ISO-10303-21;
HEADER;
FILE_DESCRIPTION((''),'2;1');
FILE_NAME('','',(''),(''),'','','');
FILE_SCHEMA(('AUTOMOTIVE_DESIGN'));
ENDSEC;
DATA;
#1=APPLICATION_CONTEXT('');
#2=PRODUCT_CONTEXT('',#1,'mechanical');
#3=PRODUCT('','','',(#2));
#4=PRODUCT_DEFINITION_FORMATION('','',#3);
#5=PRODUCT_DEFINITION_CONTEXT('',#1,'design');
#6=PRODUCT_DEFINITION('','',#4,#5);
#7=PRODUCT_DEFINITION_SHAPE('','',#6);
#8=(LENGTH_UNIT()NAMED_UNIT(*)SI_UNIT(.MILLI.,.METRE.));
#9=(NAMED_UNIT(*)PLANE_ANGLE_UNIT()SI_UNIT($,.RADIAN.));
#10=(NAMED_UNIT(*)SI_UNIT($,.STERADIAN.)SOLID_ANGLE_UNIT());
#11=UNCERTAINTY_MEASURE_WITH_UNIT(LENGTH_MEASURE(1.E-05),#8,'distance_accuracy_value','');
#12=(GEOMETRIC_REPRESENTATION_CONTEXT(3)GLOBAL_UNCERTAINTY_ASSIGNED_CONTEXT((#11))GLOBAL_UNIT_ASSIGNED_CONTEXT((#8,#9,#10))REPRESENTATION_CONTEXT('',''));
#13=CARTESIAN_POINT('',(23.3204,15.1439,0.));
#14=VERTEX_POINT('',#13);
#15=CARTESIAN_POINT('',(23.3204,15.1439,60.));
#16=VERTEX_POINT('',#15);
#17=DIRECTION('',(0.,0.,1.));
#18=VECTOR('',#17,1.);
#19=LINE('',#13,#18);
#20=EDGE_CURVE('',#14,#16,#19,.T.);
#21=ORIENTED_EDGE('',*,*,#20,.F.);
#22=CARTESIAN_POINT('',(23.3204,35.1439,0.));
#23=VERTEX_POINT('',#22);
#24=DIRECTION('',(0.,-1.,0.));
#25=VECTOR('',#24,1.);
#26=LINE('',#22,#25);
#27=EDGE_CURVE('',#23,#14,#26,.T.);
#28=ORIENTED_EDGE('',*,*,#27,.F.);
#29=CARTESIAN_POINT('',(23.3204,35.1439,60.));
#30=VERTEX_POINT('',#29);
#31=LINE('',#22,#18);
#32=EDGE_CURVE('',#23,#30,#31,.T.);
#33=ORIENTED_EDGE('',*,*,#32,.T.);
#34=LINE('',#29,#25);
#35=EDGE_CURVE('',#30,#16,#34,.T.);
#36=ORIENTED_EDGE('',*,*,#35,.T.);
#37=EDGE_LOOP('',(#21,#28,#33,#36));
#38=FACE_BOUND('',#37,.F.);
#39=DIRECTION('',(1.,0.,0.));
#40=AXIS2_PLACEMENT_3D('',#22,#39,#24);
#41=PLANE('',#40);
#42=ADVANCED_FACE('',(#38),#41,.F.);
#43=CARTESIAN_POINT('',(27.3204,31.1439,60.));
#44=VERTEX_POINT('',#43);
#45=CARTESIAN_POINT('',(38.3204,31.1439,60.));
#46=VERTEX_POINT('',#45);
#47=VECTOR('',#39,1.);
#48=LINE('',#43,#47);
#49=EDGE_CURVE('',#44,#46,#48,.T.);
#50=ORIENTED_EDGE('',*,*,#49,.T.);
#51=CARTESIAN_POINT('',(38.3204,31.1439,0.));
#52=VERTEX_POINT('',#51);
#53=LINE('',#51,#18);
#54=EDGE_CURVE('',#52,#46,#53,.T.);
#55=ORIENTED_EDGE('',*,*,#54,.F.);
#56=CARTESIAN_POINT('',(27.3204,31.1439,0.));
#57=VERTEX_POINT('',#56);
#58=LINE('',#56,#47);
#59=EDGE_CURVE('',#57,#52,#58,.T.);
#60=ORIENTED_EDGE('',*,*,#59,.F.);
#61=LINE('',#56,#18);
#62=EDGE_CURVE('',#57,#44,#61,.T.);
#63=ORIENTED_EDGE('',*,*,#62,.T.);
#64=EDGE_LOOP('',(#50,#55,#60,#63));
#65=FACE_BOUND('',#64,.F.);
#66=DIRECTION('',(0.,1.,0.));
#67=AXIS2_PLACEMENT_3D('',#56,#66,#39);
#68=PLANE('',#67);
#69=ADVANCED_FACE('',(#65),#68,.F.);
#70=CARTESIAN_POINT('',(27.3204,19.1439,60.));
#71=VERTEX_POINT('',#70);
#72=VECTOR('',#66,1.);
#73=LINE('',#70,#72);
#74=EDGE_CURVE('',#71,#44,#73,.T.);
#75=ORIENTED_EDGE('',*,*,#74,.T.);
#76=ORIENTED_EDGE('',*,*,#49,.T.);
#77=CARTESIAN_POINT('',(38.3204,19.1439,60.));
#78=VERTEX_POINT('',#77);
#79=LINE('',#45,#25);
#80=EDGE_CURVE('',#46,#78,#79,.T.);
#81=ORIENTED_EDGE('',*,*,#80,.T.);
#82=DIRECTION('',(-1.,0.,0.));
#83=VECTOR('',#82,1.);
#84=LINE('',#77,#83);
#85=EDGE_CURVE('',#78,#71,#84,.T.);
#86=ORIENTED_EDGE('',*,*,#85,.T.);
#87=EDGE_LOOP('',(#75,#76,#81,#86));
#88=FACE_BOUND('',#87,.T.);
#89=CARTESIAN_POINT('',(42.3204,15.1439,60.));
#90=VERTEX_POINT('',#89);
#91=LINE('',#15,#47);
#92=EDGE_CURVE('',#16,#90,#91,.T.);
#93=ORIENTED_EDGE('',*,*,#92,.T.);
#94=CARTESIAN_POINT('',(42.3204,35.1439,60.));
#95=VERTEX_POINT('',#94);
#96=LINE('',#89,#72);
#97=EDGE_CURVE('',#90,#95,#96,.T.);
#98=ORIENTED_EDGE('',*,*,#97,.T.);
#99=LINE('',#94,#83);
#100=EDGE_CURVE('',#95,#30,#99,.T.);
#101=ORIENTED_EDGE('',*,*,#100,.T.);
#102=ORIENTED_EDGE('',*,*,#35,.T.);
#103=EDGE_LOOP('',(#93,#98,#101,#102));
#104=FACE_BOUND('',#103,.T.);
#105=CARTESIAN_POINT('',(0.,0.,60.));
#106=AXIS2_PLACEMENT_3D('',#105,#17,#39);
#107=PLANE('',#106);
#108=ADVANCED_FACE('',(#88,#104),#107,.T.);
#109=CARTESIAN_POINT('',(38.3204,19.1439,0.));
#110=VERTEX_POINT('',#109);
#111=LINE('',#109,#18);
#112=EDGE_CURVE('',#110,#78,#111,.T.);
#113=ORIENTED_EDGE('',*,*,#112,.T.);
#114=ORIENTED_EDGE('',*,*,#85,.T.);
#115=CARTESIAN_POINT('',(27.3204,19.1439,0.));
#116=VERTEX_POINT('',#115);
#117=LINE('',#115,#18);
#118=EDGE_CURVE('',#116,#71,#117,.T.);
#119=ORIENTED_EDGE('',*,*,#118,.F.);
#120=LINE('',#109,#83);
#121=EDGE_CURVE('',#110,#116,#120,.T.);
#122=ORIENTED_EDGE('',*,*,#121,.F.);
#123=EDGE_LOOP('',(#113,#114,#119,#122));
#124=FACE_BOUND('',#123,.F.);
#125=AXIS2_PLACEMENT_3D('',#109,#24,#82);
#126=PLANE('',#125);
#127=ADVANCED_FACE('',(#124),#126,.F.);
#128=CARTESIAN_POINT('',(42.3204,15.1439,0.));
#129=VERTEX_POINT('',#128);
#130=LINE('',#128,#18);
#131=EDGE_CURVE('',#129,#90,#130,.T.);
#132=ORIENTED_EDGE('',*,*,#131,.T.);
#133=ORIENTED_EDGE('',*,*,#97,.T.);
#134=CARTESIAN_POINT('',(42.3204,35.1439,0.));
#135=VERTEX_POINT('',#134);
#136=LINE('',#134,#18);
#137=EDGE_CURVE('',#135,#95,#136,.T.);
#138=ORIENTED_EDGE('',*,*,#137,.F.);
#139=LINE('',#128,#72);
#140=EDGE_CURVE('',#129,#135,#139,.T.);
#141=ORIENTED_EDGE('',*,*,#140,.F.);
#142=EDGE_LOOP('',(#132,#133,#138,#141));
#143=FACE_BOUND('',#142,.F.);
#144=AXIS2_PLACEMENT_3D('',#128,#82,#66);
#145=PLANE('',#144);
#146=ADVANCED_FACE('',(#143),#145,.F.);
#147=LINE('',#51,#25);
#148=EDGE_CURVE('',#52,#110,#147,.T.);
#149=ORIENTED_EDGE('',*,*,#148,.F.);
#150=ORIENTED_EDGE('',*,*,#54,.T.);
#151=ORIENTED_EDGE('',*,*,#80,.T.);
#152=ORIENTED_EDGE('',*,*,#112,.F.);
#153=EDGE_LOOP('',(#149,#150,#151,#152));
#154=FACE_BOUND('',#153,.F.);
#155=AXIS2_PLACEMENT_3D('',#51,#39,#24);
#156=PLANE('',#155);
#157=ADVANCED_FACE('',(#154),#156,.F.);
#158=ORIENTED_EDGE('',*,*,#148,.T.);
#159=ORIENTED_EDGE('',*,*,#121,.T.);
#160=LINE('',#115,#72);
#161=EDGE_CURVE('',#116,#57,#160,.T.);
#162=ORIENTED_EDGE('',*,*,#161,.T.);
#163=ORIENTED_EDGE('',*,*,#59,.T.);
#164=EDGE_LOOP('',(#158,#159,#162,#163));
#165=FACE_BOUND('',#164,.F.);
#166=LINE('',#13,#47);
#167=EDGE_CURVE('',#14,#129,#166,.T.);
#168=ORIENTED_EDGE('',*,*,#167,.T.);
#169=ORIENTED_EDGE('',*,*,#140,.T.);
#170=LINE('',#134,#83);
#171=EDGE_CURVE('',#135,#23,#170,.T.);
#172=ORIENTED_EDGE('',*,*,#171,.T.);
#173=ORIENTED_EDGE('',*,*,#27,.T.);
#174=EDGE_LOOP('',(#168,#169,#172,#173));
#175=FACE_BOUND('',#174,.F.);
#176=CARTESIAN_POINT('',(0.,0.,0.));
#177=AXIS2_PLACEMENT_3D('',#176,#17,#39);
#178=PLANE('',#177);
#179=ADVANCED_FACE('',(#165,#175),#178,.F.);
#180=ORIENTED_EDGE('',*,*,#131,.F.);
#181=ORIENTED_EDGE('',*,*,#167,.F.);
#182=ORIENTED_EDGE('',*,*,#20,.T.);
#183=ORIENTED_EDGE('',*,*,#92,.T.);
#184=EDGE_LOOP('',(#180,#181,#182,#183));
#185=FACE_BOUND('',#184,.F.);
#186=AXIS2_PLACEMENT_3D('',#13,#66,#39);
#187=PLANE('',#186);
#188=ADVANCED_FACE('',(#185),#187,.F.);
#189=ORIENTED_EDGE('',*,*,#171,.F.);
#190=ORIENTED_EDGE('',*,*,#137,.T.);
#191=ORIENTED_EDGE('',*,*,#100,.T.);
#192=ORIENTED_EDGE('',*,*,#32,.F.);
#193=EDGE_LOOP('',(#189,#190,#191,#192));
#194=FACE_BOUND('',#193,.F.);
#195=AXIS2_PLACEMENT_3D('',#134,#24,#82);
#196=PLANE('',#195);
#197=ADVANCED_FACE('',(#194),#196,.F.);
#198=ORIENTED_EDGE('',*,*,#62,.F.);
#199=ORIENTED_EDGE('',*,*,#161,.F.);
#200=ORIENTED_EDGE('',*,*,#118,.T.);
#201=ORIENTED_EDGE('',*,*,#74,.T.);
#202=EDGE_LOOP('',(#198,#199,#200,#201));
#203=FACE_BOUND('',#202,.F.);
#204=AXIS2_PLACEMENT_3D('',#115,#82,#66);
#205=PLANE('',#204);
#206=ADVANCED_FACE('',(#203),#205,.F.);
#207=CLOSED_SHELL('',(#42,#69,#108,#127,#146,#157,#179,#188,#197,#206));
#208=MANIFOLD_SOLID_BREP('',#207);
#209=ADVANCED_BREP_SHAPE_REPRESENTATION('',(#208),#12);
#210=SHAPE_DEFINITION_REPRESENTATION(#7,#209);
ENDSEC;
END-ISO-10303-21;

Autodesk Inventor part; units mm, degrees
ref_plane "YZ Plane" through (0, 0, 0) normal (1, 0, 0) x (0, 1, 0)
ref_plane "XZ Plane" through (0, 0, 0) normal (0, 1, 0) x (-1, 0, 0)
ref_plane "XY Plane" through (0, 0, 0) normal (0, 0, 1) x (1, 0, 0)
sketch "Sketch1" plane through (0, 0, 0) normal (0, 0, 1) x (1, 0, 0)
  line L0 (27.3204, 31.1439) -> (38.3204, 31.1439)
  line L1 (38.3204, 31.1439) -> (38.3204, 19.1439)
  line L2 (38.3204, 19.1439) -> (27.3204, 19.1439)
  line L3 (27.3204, 19.1439) -> (27.3204, 31.1439)
  line L4 (42.3204, 35.1439) -> (23.3204, 35.1439)
  line L5 (23.3204, 35.1439) -> (23.3204, 15.1439)
  line L6 (23.3204, 15.1439) -> (42.3204, 15.1439)
  line L7 (42.3204, 15.1439) -> (42.3204, 35.1439)
  point P0 (0, 0)
  dimension "d0" = 11
  dimension "d1" = 12
  dimension "d2" = 4
extrude "Extrusion1" add sketch "Sketch1" along normal blind 60
properties part number "motorwheelstand"
